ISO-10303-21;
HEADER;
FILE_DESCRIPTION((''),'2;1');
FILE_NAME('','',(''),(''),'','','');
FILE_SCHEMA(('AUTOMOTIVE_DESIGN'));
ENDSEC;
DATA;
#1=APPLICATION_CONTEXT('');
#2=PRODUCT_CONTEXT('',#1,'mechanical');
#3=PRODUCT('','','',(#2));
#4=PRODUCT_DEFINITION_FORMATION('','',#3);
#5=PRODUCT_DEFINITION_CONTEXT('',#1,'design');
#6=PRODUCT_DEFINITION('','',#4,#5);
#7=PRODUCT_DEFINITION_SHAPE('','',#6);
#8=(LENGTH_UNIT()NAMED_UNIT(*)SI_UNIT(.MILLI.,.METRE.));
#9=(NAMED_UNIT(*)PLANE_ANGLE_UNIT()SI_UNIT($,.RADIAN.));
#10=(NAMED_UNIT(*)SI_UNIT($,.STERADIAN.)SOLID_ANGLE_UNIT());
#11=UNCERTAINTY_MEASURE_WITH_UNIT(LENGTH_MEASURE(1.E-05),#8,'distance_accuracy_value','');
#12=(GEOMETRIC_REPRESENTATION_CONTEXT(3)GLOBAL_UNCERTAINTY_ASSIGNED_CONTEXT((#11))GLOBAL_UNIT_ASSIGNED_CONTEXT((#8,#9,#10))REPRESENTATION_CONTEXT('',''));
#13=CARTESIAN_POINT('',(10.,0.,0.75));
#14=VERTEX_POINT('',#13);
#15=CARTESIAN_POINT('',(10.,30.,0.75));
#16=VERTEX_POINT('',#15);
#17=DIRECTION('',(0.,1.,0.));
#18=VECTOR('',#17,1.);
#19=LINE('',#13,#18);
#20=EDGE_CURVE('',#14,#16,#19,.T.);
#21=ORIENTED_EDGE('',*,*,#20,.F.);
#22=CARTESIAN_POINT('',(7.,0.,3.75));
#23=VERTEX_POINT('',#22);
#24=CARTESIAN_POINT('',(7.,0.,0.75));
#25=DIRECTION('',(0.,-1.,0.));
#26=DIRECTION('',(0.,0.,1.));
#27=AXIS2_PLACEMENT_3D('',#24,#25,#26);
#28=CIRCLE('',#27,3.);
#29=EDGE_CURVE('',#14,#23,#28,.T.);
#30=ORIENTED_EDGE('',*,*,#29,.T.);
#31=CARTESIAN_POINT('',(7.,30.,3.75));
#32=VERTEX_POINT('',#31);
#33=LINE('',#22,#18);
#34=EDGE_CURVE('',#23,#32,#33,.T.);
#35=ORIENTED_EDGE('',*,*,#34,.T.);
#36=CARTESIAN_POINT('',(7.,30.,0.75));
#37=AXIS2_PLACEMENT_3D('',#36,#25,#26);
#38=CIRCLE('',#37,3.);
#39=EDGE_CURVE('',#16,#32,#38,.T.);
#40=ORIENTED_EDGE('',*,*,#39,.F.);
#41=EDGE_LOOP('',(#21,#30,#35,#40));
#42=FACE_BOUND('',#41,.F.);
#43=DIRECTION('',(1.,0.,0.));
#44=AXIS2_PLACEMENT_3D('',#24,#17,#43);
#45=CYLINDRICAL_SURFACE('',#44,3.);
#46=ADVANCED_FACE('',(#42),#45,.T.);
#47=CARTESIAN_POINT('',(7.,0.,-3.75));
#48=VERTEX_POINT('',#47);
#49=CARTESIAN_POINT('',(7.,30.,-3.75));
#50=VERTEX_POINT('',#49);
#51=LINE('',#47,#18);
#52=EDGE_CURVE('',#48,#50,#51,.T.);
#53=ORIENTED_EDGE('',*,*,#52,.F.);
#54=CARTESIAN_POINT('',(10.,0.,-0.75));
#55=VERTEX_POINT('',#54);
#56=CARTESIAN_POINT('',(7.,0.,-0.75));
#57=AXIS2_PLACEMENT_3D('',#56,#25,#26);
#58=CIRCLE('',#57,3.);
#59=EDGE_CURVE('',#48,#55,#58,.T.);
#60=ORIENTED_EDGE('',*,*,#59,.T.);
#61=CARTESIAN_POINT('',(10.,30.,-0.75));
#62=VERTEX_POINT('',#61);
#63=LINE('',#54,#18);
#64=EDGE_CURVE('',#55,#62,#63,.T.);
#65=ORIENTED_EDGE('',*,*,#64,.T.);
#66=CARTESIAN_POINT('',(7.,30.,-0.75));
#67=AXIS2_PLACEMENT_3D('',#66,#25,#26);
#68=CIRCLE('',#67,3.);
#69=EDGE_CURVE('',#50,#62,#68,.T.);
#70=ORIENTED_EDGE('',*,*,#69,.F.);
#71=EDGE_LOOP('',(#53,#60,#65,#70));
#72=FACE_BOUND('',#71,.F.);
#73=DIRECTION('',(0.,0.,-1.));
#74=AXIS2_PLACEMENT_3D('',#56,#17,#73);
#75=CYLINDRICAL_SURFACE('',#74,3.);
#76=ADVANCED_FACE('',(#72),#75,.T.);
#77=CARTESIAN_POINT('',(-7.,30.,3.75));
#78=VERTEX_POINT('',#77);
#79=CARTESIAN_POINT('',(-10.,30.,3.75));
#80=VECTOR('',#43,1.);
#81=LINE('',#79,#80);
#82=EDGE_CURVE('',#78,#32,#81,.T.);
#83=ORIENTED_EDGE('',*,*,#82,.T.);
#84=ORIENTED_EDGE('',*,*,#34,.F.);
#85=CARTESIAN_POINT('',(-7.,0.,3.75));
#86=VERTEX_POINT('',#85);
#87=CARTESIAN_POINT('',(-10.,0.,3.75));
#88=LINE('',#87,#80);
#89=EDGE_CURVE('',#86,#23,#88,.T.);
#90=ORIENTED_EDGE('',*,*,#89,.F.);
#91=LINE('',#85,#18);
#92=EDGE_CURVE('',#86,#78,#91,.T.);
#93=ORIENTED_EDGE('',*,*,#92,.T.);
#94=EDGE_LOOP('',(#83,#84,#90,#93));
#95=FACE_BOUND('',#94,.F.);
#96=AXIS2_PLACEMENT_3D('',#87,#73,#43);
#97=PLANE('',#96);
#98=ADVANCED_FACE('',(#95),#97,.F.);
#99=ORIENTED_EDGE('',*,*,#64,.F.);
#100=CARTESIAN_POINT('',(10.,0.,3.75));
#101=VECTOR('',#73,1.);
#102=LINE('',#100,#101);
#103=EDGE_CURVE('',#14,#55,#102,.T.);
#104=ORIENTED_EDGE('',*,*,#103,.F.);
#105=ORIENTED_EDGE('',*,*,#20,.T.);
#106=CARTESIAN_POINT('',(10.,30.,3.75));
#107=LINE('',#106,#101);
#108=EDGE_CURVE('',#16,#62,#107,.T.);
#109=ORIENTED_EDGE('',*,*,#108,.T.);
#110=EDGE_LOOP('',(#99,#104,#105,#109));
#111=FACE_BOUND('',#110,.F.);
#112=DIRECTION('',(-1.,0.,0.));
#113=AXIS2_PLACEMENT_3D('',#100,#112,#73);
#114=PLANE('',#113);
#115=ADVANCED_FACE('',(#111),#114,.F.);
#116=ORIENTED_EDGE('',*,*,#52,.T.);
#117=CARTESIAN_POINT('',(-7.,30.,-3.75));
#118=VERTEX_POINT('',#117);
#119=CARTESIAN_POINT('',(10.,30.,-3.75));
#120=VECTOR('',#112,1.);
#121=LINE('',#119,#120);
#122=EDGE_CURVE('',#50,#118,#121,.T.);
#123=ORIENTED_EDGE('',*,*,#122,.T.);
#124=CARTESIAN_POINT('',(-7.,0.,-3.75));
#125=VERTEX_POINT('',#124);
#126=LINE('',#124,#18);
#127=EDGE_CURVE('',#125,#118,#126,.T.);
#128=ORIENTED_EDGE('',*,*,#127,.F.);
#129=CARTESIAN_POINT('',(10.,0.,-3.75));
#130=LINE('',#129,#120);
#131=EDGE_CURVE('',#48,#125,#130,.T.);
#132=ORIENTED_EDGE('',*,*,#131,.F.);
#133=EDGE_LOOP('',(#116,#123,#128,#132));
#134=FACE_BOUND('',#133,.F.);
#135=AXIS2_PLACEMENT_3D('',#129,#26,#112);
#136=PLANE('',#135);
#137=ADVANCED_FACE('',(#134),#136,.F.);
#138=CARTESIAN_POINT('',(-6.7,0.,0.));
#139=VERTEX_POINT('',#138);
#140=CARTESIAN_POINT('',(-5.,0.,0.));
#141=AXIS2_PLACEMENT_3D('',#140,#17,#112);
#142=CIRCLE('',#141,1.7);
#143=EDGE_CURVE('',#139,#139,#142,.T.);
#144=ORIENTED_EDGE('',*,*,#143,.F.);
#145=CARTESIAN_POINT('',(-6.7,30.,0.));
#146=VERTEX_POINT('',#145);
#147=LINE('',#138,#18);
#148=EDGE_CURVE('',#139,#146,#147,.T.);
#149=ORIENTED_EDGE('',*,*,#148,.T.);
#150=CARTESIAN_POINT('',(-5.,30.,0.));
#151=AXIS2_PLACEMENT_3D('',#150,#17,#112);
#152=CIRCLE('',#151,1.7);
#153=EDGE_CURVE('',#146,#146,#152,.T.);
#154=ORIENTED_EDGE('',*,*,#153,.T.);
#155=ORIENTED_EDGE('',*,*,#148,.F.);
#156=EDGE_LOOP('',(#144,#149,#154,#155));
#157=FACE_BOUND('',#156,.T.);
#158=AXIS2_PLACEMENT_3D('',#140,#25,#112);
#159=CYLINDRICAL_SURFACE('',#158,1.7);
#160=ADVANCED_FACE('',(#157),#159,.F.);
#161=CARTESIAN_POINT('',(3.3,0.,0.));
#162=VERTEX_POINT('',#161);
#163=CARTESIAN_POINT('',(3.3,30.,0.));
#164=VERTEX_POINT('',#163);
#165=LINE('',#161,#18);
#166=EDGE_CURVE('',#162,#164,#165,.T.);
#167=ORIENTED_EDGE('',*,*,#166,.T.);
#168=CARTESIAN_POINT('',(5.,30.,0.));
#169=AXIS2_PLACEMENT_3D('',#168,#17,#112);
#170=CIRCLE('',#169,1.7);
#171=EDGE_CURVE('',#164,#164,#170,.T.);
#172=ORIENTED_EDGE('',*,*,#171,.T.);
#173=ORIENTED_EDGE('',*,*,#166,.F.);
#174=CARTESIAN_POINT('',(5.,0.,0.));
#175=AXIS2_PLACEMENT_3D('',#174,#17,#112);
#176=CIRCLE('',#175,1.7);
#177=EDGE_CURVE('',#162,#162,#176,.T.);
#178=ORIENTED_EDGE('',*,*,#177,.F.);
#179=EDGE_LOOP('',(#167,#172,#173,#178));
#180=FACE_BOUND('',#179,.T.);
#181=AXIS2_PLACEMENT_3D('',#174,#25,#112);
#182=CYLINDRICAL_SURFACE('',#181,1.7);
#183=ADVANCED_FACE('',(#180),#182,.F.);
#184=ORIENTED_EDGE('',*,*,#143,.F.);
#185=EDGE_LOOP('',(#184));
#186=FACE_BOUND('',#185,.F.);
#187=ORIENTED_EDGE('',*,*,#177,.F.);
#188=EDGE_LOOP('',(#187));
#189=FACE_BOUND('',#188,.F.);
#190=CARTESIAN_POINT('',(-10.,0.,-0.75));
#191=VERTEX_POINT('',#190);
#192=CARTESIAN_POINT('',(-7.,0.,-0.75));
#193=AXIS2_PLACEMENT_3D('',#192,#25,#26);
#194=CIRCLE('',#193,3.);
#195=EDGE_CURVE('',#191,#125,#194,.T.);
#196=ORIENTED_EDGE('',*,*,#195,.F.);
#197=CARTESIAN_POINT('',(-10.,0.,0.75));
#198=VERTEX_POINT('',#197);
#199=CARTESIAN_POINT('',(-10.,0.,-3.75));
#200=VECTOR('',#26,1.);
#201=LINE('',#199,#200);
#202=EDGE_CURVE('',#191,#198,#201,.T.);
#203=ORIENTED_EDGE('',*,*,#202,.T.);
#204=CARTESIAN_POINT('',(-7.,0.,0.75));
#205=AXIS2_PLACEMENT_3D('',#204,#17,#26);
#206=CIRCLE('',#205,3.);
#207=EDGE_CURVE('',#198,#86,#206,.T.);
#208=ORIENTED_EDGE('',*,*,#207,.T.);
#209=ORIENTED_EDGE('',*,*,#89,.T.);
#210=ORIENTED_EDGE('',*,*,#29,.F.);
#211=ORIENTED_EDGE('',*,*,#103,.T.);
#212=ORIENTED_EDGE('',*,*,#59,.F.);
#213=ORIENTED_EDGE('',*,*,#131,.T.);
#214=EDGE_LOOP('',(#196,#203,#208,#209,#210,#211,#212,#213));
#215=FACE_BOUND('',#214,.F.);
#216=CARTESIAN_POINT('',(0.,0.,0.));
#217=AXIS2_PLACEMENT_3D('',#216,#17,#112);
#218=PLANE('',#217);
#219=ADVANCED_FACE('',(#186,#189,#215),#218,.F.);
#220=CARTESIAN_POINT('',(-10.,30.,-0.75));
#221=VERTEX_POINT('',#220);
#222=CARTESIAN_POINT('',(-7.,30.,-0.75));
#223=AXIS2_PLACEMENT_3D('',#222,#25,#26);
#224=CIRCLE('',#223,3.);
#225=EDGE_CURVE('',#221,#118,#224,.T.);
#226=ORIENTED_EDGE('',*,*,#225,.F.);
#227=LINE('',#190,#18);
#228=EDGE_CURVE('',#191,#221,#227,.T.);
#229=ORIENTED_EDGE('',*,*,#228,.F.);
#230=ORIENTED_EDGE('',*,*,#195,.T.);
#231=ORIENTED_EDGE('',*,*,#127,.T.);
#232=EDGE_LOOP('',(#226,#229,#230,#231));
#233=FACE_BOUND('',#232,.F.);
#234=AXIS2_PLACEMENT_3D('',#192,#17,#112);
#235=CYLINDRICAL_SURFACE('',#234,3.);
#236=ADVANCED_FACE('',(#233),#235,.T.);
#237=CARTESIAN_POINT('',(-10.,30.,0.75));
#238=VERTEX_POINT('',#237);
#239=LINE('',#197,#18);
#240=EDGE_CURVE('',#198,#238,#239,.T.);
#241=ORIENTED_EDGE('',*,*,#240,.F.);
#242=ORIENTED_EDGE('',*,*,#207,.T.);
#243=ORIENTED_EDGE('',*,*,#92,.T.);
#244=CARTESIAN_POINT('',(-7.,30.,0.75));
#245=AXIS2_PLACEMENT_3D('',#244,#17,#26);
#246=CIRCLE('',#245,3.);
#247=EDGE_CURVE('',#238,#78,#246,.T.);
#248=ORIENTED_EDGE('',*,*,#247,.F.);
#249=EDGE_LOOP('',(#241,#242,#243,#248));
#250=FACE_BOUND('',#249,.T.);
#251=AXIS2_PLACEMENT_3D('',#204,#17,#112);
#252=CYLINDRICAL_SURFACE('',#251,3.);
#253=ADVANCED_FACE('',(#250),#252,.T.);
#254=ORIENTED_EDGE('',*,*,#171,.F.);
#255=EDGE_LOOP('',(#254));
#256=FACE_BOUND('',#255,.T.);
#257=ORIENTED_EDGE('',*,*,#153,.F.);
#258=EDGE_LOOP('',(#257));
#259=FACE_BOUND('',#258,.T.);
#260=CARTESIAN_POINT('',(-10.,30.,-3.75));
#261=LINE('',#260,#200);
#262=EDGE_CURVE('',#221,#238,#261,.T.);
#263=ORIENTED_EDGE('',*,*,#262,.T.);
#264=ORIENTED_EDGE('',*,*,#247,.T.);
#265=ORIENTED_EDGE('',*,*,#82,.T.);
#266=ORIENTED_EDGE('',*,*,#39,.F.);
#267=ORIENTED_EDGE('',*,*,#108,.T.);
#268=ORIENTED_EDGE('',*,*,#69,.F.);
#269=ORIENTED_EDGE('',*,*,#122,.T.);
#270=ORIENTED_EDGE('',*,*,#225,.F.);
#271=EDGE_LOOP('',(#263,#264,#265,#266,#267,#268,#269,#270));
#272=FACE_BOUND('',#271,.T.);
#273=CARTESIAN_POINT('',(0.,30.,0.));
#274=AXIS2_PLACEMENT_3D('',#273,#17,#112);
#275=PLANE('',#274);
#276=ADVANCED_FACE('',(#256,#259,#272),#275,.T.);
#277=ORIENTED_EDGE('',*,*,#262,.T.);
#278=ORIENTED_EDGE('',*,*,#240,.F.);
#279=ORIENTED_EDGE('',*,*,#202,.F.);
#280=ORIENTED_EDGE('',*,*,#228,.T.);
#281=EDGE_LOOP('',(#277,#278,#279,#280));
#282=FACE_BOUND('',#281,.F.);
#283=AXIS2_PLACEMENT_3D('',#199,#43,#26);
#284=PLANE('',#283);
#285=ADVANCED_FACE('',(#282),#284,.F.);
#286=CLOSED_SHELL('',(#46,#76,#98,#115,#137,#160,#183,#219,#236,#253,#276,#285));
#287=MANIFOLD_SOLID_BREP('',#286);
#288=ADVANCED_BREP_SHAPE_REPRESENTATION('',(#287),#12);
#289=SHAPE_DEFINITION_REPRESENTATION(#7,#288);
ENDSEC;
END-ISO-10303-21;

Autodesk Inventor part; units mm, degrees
ref_plane "YZ Plane" through (0, 0, 0) normal (1, 0, 0) x (0, 1, 0)
ref_plane "XZ Plane" through (0, 0, 0) normal (0, 1, 0) x (-1, 0, 0)
ref_plane "XY Plane" through (0, 0, 0) normal (0, 0, 1) x (1, 0, 0)
sketch "Sketch1" plane through (0, 0, 0) normal (0, 1, 0) x (-1, 0, 0)
  line L0 (10, 3.75) -> (-10, 3.75)
  line L1 (-10, 3.75) -> (-10, -3.75)
  line L2 (-10, -3.75) -> (10, -3.75)
  line L3 (10, -3.75) -> (10, 3.75)
  line L4 (10, 3.75) -> (-10, -3.75) construction
  line L5 (-10, 3.75) -> (10, -3.75) construction
  circle A0 centre (5, 0) radius 1.7
  circle A1 centre (-5, 0) radius 1.7
  point P0 (0, 0)
  dimension "d0" = 20
  dimension "d1" = 7.5
  dimension "d2" = 3.4
  dimension "d3" = 3.4
  dimension "d4" = 5
  dimension "d5" = 5
extrude "Extrusion1" add sketch "Sketch1" along normal blind 30
fillet "Fillet1" radius 3 4 edges at (10, 15, 3.75) (10, 15, -3.75) (-10, 15, -3.75) (-10, 15, 3.75)
properties part number "b1"
